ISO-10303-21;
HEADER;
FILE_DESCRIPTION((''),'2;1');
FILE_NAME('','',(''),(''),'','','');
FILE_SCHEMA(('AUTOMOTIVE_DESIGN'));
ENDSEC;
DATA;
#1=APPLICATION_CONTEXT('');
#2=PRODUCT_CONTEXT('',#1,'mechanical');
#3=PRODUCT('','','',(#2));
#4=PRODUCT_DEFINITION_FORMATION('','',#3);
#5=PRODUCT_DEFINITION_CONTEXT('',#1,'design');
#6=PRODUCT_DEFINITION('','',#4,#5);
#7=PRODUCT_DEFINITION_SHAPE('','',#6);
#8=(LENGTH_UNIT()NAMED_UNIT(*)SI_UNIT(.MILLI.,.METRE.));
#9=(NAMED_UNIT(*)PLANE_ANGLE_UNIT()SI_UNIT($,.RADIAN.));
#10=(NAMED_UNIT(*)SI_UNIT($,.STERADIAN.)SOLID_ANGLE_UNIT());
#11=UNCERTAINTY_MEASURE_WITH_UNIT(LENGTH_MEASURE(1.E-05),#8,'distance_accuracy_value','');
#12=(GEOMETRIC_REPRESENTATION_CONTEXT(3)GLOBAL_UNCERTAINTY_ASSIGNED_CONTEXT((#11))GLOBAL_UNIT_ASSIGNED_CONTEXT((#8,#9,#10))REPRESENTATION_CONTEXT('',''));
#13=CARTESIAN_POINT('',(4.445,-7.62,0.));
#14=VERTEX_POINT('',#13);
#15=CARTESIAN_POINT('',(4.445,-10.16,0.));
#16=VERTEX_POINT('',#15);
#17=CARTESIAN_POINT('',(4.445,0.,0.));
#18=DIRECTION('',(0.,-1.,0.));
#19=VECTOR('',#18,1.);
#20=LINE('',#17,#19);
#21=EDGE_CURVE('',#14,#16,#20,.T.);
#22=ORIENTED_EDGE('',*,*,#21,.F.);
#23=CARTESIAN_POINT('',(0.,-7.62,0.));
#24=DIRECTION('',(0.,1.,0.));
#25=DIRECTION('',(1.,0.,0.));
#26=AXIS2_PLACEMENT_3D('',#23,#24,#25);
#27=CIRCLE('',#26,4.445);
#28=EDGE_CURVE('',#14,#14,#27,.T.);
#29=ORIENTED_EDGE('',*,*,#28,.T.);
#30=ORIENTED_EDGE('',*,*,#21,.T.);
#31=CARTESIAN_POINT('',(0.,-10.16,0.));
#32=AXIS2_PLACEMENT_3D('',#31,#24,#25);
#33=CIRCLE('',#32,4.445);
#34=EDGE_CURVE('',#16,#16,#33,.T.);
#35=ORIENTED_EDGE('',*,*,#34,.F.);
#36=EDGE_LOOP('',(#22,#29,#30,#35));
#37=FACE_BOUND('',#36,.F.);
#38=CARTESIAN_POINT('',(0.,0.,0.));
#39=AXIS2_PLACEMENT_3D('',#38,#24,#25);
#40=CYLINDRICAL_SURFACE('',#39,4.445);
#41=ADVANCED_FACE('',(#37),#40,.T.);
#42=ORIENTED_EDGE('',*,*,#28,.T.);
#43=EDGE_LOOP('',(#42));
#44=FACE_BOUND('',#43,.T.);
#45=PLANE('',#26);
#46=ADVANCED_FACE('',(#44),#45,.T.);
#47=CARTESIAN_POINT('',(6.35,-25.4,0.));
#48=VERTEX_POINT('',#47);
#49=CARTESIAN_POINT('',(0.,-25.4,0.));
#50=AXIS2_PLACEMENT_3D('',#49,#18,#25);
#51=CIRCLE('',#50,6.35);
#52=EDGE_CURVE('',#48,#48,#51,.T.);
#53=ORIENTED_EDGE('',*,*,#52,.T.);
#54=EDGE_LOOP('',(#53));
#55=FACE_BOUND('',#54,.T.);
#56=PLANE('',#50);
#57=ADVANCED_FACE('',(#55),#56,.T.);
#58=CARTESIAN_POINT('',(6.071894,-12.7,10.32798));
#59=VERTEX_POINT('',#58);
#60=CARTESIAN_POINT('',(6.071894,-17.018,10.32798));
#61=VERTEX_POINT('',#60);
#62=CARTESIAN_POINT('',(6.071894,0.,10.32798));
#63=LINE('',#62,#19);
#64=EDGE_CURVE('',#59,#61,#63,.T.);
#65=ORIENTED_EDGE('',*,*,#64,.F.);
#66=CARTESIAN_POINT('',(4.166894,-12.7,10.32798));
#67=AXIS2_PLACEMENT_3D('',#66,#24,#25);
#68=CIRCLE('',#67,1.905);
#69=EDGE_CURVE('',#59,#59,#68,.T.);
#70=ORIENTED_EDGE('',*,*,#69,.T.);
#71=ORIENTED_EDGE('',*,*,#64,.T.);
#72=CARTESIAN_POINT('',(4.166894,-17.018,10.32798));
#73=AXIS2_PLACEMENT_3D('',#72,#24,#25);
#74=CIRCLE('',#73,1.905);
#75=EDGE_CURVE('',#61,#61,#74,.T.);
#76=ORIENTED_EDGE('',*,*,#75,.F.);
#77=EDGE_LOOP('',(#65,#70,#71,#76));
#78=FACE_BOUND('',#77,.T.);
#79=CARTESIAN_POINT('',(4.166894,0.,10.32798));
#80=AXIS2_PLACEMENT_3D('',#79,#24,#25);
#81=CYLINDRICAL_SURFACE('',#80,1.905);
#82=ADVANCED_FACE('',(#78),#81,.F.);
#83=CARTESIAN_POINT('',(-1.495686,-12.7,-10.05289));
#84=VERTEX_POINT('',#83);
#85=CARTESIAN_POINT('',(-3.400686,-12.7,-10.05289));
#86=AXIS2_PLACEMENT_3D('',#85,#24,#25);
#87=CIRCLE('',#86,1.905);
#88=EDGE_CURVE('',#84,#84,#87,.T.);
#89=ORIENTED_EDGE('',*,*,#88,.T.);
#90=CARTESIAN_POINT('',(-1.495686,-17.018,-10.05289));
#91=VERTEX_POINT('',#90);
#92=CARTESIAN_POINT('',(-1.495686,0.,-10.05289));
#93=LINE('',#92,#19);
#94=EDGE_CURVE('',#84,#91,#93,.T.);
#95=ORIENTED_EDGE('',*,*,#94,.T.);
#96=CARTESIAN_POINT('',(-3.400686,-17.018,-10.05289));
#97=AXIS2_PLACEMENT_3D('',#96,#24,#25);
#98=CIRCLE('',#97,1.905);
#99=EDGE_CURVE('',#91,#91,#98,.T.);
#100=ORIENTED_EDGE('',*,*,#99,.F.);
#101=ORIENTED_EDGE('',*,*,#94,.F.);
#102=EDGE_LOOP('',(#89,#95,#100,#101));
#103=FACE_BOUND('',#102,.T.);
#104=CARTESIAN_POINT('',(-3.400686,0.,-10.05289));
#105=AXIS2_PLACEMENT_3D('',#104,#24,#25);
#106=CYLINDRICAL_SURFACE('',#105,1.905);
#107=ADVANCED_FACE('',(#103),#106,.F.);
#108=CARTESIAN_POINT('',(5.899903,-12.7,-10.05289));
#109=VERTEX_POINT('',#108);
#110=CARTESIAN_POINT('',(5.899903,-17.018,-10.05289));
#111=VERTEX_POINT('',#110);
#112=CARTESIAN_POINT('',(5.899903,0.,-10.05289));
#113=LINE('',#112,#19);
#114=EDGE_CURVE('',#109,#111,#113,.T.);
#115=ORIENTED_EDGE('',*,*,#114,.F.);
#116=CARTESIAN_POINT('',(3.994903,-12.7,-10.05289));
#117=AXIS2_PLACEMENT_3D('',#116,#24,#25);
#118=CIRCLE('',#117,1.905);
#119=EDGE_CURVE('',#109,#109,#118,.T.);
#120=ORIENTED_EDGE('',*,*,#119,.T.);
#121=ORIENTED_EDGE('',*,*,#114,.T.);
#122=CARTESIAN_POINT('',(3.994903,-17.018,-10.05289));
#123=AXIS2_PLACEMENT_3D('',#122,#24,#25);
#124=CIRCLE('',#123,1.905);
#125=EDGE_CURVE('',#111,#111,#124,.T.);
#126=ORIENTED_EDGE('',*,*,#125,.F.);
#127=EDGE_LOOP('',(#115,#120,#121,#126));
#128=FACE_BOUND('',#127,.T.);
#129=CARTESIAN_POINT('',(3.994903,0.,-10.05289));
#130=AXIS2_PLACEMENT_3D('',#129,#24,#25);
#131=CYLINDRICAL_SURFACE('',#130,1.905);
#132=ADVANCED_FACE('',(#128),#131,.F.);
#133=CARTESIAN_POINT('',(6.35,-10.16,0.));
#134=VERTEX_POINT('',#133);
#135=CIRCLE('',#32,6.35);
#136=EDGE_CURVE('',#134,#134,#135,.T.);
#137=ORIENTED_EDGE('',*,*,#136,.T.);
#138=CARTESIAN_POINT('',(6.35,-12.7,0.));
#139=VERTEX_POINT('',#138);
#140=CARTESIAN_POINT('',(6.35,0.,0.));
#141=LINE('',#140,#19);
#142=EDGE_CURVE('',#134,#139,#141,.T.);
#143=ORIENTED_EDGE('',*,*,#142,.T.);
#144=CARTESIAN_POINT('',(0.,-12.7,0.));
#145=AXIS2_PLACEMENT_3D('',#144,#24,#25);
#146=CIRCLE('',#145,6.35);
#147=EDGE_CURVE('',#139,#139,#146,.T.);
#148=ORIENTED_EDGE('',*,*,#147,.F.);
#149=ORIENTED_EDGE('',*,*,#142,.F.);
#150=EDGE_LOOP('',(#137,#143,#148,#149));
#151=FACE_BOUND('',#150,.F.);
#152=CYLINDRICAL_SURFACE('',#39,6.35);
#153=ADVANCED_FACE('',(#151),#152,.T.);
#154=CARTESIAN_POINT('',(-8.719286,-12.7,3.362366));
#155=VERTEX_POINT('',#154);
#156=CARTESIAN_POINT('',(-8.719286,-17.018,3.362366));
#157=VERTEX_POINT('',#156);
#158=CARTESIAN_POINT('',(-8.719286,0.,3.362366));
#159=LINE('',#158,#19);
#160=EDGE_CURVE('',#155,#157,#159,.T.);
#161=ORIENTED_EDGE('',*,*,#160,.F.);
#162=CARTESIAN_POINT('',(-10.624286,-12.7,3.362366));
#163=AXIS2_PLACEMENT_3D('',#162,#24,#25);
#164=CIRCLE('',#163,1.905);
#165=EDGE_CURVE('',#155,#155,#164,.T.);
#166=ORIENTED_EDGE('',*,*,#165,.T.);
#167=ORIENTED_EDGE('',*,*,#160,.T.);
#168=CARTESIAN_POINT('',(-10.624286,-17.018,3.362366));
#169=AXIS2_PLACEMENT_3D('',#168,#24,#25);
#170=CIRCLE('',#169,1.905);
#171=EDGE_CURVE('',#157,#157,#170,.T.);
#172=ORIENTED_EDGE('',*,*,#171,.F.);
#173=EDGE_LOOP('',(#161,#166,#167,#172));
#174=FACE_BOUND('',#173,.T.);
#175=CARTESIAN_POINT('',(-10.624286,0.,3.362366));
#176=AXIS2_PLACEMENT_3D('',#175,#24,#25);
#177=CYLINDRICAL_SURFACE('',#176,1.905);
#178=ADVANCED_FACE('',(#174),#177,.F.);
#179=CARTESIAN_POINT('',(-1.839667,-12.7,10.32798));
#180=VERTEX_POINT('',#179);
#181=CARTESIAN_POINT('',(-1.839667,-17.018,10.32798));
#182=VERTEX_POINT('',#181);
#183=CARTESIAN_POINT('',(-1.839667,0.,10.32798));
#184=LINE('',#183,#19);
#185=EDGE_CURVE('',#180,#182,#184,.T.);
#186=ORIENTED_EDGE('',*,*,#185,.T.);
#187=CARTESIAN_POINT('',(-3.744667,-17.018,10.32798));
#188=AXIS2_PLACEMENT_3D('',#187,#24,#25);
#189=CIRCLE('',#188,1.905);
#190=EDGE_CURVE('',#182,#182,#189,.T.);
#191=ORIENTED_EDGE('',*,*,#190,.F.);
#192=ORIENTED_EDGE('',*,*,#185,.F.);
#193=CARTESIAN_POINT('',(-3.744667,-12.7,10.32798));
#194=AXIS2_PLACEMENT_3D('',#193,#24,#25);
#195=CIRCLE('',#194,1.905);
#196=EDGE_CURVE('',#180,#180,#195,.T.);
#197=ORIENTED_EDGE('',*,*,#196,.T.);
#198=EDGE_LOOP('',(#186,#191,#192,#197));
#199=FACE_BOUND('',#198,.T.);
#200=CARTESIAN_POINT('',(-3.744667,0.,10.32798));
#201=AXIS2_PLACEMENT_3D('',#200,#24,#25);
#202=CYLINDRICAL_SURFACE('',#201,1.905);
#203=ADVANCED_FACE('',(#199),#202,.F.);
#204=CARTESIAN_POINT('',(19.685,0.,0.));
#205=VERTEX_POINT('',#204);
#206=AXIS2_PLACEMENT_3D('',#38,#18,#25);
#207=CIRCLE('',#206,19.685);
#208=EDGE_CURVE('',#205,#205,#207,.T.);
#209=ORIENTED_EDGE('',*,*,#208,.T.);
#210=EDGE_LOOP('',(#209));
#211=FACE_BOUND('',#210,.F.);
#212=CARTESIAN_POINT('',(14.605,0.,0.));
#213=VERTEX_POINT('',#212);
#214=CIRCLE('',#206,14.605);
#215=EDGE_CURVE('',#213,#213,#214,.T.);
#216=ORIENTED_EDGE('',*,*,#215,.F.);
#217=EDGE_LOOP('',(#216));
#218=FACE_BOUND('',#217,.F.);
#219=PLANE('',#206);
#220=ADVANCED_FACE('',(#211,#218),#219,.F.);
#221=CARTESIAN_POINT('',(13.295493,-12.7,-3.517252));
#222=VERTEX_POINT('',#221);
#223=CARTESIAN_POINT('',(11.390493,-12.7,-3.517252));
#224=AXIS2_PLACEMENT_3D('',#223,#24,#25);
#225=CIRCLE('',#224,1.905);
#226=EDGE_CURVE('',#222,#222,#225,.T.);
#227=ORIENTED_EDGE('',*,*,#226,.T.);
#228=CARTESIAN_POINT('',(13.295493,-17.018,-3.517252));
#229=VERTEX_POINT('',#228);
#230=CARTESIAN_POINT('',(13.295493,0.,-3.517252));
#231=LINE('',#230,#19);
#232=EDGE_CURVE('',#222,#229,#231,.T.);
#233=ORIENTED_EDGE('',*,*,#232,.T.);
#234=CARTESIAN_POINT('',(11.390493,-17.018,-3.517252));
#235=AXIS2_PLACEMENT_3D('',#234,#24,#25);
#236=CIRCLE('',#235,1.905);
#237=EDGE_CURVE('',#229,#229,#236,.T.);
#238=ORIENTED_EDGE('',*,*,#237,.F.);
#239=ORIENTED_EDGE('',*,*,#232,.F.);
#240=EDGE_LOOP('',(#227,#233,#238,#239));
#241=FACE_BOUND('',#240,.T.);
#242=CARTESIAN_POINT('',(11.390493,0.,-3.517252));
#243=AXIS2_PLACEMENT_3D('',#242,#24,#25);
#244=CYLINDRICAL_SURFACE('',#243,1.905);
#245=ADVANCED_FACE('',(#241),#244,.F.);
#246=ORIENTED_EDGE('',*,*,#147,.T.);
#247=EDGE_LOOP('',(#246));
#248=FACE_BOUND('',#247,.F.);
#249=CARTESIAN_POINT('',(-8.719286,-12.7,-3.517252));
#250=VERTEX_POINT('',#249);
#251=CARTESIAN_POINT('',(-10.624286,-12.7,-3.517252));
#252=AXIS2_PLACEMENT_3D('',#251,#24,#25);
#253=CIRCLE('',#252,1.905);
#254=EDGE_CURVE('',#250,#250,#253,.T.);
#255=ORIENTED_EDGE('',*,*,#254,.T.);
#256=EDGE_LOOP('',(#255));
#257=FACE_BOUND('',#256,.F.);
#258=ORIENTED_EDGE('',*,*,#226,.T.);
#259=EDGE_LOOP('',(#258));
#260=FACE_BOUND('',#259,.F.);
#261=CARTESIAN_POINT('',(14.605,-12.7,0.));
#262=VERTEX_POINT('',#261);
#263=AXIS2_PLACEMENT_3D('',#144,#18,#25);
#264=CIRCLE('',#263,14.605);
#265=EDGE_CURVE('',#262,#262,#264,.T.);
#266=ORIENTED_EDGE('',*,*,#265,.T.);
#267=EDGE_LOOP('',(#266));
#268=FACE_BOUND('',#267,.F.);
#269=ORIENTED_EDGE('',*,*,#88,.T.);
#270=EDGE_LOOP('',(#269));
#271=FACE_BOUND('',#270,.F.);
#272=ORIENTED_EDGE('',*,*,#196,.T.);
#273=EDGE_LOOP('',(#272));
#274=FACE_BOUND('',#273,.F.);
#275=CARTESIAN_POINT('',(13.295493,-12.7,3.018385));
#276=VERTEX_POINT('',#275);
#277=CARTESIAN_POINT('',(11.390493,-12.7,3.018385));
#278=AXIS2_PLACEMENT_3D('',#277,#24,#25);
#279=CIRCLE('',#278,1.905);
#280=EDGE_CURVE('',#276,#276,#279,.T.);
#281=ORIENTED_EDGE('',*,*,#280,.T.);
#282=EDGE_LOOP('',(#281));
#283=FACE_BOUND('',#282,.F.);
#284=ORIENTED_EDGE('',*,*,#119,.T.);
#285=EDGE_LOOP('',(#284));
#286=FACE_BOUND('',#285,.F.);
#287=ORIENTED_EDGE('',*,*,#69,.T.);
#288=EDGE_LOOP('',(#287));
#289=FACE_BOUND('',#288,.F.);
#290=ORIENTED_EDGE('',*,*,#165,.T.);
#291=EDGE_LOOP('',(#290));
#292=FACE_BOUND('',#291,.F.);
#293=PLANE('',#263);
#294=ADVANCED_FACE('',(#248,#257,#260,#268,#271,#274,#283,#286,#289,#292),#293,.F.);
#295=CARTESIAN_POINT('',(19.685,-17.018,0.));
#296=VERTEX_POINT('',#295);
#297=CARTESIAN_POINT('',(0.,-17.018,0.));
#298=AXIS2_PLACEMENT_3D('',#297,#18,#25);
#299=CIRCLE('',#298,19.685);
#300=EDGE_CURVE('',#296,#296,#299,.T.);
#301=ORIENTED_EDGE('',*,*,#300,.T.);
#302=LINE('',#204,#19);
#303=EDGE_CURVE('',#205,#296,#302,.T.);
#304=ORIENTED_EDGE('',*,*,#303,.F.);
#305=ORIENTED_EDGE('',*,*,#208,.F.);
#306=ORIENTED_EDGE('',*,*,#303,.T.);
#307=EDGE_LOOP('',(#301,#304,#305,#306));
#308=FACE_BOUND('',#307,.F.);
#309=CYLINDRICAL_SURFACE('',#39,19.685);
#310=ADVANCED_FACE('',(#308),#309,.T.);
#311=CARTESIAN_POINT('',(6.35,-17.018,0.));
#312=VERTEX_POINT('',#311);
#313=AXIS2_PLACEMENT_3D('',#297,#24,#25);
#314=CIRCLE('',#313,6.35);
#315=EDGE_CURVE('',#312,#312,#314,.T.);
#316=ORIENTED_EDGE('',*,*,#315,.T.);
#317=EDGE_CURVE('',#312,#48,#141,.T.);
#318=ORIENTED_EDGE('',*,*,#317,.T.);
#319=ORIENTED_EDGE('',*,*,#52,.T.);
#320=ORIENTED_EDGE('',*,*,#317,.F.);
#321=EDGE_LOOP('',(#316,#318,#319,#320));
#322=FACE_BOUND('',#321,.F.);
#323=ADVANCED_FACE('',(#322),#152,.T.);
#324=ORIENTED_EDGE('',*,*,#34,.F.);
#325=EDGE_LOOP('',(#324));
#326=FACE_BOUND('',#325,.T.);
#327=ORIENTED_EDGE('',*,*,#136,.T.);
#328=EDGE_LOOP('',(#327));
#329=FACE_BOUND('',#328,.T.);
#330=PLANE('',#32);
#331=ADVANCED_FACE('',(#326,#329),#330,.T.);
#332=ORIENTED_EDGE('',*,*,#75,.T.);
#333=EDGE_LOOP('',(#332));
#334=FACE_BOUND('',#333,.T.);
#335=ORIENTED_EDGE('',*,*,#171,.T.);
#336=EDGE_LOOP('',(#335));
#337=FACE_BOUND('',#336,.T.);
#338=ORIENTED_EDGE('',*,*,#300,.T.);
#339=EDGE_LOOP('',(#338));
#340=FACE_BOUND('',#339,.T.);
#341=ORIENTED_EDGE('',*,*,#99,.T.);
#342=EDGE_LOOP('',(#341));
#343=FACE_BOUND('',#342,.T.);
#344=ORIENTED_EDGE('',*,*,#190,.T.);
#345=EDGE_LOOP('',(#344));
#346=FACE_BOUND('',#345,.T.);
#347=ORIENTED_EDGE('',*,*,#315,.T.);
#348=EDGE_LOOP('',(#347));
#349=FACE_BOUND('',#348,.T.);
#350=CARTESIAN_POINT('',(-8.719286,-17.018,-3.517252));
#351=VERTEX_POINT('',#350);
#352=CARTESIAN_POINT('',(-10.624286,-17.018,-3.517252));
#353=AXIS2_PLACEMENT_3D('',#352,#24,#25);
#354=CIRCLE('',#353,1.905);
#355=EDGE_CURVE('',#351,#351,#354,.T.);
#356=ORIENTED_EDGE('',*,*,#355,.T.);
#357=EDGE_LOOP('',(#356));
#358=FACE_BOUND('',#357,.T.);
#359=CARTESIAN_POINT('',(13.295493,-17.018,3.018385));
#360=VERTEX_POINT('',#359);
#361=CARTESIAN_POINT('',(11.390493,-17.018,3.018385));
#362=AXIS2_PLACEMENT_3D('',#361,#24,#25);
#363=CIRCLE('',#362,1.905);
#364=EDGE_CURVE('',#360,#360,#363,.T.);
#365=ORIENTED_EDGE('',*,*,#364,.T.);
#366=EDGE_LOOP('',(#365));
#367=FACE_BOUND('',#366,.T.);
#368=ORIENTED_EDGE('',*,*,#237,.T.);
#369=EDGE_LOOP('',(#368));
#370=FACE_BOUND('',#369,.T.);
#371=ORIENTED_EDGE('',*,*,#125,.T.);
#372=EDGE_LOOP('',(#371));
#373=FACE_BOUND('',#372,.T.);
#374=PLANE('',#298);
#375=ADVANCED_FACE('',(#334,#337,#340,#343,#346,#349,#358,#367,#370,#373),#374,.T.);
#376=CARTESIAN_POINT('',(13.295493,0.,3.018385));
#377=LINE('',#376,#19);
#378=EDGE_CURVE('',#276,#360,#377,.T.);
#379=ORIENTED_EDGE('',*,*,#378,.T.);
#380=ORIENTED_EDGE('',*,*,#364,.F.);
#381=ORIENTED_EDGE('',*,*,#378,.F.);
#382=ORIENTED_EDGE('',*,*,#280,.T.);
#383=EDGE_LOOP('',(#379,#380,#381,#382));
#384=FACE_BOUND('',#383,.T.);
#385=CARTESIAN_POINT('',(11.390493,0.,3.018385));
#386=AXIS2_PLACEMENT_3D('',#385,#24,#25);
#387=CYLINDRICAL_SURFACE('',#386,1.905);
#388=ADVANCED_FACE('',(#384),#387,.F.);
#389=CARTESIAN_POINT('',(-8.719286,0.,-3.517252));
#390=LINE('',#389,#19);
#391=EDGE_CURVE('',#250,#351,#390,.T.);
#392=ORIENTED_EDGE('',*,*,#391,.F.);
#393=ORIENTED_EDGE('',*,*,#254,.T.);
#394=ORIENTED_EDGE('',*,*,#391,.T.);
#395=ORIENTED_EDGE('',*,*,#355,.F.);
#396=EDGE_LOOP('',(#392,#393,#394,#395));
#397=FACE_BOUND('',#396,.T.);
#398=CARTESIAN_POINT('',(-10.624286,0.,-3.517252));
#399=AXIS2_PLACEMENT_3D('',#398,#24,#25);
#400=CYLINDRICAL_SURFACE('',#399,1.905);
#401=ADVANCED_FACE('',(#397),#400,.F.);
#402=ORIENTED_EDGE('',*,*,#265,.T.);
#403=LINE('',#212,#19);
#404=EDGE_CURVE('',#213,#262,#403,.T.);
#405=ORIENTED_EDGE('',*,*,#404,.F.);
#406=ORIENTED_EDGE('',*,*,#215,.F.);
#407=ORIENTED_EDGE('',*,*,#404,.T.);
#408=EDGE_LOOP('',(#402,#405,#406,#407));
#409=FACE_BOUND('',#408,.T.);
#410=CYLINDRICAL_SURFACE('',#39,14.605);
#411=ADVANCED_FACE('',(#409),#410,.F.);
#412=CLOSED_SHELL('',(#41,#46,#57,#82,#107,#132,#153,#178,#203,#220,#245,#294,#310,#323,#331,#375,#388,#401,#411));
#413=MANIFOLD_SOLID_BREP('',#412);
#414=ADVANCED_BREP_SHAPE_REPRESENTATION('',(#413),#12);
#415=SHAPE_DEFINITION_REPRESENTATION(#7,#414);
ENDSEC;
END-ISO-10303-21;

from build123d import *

# Parameters (mm, degrees)
F0_R       = 19.685
F1_DEPTH   = 17.018
F2_R       = 14.605
F3_DEPTH   = 12.7
F4_R       = 1.905
F5_DEPTH   = 21.336
F6_R       = 6.35
F7_DEPTH   = 25.4
F7_FACE_R  = 6.35
F8_DEPTH   = 10.16
F9_R       = 4.445
F10_DEPTH  = 25.4
F10_FACE_R = 4.445
F11_DEPTH  = 7.62


with BuildPart() as f1:
    # F0 (on Front) → F1 (new body)
    with BuildSketch(Plane.XZ):
        Circle(F0_R)
    extrude(amount=F1_DEPTH)

    # F2 (on Front) → F3 (cut)
    with BuildSketch(Plane.XZ):
        Circle(F2_R)
    extrude(amount=F3_DEPTH, mode=Mode.SUBTRACT)

    # F4 (on Front) → F5 (cut)
    with BuildSketch(Plane.XZ):
        with Locations((-3.744667, 10.32798)):
            Circle(F4_R)
        with Locations((-10.624286, 3.362366)):
            Circle(F4_R)
        with Locations((-10.624286, -3.517252)):
            Circle(F4_R)
        with Locations((-3.400686, -10.05289)):
            Circle(F4_R)
        with Locations((3.994903, -10.05289)):
            Circle(F4_R)
        with Locations((11.390493, -3.517252)):
            Circle(F4_R)
        with Locations((4.166894, 10.32798)):
            Circle(F4_R)
        with Locations((11.390493, 3.018385)):
            Circle(F4_R)
    extrude(amount=F5_DEPTH, mode=Mode.SUBTRACT)

    # F6 (on Front) → F7 (join)
    with BuildSketch(Plane.XZ):
        Circle(F6_R)
    extrude(amount=F7_DEPTH)

    # F7_face (on face) → F8 (cut)
    with BuildSketch(Plane(origin=(0, 0, 0), x_dir=(1, 0, 0), z_dir=(0, 1, 0))):
        Circle(F7_FACE_R)
    extrude(amount=-F8_DEPTH, mode=Mode.SUBTRACT)

    # F9 (on Front) → F10 (join)
    with BuildSketch(Plane.XZ):
        Circle(F9_R)
    extrude(amount=F10_DEPTH)

    # F10_face (on face) → F11 (cut)
    with BuildSketch(Plane(origin=(0, 0, 0), x_dir=(1, 0, 0), z_dir=(0, 1, 0))):
        Circle(F10_FACE_R)
    extrude(amount=-F11_DEPTH, mode=Mode.SUBTRACT)


solid = f1.part
